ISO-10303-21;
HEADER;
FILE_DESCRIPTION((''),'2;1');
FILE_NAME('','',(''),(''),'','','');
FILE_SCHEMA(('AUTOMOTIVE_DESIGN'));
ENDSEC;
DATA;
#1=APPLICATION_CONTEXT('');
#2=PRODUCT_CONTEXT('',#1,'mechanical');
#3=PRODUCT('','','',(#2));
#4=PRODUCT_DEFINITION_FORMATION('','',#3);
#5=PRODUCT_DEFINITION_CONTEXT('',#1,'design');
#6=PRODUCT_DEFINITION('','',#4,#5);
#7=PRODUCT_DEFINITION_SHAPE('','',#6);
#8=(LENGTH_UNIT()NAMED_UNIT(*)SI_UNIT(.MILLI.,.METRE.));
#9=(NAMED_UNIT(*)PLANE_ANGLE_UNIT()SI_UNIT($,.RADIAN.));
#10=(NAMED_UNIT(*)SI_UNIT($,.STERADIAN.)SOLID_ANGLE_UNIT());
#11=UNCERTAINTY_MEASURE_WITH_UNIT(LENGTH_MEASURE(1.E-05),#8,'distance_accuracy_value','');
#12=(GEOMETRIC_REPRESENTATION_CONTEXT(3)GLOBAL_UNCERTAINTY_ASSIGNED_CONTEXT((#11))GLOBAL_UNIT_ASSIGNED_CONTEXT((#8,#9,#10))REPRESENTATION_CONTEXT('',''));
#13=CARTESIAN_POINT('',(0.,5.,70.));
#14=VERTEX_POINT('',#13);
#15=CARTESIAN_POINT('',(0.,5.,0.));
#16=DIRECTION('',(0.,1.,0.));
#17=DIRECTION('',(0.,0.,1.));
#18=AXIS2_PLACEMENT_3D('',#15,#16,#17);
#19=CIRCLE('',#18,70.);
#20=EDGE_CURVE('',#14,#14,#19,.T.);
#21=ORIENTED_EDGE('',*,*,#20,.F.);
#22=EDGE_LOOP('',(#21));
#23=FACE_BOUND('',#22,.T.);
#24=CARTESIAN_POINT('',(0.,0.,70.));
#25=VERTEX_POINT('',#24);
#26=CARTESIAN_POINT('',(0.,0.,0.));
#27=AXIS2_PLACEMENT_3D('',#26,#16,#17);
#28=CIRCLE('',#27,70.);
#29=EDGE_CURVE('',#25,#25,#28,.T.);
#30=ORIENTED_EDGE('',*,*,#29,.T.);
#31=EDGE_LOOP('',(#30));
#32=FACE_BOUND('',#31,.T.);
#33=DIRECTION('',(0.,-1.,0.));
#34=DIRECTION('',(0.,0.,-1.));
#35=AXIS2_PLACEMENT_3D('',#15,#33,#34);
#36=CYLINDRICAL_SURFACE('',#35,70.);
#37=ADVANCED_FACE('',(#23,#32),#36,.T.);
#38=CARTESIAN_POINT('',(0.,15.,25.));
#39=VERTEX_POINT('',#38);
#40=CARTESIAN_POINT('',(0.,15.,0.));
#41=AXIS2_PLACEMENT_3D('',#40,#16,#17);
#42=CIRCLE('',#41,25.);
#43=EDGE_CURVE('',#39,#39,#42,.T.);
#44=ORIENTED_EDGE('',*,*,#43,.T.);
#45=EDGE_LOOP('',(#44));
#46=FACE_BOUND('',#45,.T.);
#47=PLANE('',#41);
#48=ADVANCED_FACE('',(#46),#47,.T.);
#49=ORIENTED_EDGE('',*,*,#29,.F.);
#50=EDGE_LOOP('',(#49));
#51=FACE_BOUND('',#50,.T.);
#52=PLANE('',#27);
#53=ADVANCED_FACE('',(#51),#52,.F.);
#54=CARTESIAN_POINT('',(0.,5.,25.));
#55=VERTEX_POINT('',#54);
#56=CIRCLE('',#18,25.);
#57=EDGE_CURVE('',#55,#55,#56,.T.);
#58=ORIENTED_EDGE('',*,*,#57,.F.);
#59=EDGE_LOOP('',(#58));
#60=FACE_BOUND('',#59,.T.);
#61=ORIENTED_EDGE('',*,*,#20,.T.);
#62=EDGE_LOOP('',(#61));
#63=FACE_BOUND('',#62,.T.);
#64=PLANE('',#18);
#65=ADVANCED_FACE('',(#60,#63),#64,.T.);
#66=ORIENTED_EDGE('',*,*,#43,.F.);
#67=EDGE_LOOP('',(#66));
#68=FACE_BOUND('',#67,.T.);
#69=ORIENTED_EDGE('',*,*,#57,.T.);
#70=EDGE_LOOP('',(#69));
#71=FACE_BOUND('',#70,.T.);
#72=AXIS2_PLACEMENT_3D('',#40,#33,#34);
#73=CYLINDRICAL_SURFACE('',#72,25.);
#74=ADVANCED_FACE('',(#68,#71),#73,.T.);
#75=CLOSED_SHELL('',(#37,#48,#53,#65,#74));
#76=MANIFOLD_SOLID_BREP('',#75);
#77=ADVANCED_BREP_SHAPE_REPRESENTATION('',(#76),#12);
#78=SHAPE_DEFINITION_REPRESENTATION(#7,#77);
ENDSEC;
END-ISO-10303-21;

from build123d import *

# Parameters (mm, degrees)
CROQUIS1_R              = 70
SALIENTE_EXTRUIR1_DEPTH = 5
CROQUIS8_R              = 25
SALIENTE_EXTRUIR2_DEPTH = 10


with BuildPart() as part:
    # Croquis1 → Saliente-Extruir1 (new body)
    with BuildSketch(Plane(origin=(0, 0, 0), x_dir=(1, 0, 0), z_dir=(0, 1, 0))):
        with Locations(Location((0, 0, 0), (0, 0, 270))):
            Circle(CROQUIS1_R)
    extrude(amount=SALIENTE_EXTRUIR1_DEPTH)

    # Croquis8 → Saliente-Extruir2 (add)
    with BuildSketch(Plane(origin=(0, 5, 0), x_dir=(1, 0, 0), z_dir=(0, 1, 0))):
        with Locations(Location((0, 0, 0), (0, 0, 270))):
            Circle(CROQUIS8_R)
    extrude(amount=SALIENTE_EXTRUIR2_DEPTH)


solid = part.part
